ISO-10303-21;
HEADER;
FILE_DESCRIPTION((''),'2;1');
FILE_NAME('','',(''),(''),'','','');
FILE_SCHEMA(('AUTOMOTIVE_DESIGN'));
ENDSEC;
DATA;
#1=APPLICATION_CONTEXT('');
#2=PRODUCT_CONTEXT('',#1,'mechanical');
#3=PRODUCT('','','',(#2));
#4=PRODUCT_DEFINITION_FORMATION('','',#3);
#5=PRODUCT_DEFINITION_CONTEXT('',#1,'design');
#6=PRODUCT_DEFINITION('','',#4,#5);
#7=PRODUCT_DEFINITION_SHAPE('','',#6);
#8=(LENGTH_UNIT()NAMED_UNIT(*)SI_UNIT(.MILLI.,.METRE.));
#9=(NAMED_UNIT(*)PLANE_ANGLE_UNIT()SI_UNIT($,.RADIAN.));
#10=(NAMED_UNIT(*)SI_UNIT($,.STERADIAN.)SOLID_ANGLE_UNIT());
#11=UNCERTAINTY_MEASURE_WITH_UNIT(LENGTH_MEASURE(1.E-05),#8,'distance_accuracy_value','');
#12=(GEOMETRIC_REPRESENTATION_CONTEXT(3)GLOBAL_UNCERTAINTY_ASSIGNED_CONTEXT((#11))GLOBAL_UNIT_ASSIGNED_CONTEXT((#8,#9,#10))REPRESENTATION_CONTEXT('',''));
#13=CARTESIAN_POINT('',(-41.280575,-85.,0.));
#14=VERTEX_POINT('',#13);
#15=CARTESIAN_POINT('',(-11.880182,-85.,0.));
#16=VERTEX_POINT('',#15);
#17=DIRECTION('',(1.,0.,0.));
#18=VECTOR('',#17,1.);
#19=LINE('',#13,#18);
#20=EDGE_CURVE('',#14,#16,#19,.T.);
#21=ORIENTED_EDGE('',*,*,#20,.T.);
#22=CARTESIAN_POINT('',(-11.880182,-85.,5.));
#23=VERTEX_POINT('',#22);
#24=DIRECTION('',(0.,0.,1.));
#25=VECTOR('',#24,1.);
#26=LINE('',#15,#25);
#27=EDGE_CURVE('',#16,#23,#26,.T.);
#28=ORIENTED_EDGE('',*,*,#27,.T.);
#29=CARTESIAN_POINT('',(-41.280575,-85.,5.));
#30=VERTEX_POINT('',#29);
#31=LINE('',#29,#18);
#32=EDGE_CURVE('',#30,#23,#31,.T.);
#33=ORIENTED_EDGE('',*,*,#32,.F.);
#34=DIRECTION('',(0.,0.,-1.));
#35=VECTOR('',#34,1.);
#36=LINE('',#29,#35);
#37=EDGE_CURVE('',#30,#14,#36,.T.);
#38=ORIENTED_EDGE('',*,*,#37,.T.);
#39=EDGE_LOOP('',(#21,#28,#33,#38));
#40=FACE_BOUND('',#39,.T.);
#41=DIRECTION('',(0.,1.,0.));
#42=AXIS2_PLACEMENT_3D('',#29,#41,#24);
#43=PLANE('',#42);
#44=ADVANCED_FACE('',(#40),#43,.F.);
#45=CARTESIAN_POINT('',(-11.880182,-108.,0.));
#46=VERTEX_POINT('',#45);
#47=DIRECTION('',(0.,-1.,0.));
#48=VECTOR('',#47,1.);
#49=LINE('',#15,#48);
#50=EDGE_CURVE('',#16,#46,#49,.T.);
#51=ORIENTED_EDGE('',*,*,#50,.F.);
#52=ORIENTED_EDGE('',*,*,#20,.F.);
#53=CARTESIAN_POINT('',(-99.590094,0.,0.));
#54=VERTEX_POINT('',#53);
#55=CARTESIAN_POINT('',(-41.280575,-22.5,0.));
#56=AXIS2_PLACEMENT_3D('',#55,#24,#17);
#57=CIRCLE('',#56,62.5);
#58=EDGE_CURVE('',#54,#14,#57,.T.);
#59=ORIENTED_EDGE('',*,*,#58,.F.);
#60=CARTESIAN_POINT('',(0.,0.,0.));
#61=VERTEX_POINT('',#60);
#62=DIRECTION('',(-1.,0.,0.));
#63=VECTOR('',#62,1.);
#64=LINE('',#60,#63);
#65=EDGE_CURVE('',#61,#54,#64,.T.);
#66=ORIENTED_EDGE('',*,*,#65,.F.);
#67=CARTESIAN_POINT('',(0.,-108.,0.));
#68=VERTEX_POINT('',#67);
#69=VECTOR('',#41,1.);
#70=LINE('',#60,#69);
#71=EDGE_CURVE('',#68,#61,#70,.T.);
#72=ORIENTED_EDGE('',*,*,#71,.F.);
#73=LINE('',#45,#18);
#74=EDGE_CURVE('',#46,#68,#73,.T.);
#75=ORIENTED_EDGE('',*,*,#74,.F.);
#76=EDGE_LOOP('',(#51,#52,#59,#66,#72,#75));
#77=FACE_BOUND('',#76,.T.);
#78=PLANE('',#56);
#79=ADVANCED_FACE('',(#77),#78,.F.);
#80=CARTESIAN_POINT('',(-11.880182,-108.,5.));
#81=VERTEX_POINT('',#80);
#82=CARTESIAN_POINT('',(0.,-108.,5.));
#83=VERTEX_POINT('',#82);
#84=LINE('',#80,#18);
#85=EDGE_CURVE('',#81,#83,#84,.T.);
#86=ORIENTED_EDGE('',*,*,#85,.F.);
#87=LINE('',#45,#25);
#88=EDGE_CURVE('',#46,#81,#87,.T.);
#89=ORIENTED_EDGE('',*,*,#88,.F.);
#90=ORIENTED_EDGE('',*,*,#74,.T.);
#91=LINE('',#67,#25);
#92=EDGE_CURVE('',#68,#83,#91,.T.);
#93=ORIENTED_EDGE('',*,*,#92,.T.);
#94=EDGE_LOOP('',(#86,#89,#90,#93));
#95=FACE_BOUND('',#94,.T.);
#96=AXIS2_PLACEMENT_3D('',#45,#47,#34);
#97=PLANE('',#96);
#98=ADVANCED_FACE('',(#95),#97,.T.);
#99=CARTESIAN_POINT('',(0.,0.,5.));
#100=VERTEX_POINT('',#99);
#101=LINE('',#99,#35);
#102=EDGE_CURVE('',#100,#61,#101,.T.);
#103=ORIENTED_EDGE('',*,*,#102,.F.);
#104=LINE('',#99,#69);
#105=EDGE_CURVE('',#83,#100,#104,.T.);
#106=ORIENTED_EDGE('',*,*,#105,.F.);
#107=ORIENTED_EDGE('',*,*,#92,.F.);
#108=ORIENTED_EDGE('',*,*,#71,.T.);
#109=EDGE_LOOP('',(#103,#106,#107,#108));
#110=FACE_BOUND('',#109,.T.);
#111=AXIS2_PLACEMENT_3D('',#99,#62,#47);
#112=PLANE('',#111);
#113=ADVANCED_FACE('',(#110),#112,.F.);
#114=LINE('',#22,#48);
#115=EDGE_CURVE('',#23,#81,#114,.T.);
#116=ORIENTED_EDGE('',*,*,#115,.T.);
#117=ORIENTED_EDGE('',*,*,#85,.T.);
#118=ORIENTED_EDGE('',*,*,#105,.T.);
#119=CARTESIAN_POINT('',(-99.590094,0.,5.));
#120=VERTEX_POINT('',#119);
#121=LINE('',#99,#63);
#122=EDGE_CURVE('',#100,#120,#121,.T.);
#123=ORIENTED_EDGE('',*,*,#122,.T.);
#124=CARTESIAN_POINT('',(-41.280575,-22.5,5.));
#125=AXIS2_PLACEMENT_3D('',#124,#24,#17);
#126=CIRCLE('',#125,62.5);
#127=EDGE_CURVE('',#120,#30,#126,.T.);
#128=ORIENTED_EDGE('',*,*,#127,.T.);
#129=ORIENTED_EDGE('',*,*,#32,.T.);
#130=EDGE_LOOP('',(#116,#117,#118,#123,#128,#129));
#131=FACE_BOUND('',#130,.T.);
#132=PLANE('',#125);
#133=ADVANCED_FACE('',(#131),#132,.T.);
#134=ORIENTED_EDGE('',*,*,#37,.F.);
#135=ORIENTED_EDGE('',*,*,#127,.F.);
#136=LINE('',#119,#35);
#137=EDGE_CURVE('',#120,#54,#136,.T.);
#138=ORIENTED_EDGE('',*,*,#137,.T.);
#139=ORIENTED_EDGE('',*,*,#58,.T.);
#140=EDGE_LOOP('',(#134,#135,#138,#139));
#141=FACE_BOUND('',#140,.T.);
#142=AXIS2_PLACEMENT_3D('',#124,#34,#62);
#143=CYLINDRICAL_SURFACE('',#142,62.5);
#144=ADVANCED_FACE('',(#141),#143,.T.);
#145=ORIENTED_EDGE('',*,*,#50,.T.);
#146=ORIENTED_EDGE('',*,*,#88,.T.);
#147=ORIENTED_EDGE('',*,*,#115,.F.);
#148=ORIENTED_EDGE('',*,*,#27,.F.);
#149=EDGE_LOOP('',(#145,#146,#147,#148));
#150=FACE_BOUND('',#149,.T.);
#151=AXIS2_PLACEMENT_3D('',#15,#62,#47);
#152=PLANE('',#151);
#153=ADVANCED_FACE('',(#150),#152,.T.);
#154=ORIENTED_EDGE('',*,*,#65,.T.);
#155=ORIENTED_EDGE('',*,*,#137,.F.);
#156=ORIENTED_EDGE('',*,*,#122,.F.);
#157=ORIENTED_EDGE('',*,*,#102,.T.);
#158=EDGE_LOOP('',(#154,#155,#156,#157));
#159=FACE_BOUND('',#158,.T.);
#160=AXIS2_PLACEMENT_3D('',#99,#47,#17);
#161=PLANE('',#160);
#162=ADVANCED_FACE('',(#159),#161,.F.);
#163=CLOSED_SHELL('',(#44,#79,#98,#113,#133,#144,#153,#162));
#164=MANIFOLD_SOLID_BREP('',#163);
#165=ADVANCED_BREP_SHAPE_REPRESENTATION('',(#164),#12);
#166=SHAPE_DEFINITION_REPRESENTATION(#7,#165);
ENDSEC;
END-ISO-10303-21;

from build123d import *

# Parameters (mm, degrees)
BOSS_EXTRUDE1_DEPTH = 5
SKETCH2_W           = 11.880182207
SKETCH2_H           = 23
BOSS_EXTRUDE2_DEPTH = 5


with BuildPart() as part:
    # Sketch1 → Boss-Extrude1 (new body)
    with BuildSketch(Plane.XY):
        with BuildLine():
            Line((0, 0), (0, -85))
            Line((0, -85), (-41.280574715, -85))
            ThreePointArc((-41.280574715, -85), (-92.819395035, -57.855339059), (-99.590093663, 0))
            Line((-99.590093663, 0), (0, 0))
        make_face()
    extrude(amount=BOSS_EXTRUDE1_DEPTH)

    # Sketch2 → Boss-Extrude2 (add)
    with BuildSketch(Plane.XY.offset(5)):
        with Locations((-5.940091104, -96.5)):
            Rectangle(SKETCH2_W, SKETCH2_H)
    extrude(amount=-BOSS_EXTRUDE2_DEPTH)


solid = part.part
